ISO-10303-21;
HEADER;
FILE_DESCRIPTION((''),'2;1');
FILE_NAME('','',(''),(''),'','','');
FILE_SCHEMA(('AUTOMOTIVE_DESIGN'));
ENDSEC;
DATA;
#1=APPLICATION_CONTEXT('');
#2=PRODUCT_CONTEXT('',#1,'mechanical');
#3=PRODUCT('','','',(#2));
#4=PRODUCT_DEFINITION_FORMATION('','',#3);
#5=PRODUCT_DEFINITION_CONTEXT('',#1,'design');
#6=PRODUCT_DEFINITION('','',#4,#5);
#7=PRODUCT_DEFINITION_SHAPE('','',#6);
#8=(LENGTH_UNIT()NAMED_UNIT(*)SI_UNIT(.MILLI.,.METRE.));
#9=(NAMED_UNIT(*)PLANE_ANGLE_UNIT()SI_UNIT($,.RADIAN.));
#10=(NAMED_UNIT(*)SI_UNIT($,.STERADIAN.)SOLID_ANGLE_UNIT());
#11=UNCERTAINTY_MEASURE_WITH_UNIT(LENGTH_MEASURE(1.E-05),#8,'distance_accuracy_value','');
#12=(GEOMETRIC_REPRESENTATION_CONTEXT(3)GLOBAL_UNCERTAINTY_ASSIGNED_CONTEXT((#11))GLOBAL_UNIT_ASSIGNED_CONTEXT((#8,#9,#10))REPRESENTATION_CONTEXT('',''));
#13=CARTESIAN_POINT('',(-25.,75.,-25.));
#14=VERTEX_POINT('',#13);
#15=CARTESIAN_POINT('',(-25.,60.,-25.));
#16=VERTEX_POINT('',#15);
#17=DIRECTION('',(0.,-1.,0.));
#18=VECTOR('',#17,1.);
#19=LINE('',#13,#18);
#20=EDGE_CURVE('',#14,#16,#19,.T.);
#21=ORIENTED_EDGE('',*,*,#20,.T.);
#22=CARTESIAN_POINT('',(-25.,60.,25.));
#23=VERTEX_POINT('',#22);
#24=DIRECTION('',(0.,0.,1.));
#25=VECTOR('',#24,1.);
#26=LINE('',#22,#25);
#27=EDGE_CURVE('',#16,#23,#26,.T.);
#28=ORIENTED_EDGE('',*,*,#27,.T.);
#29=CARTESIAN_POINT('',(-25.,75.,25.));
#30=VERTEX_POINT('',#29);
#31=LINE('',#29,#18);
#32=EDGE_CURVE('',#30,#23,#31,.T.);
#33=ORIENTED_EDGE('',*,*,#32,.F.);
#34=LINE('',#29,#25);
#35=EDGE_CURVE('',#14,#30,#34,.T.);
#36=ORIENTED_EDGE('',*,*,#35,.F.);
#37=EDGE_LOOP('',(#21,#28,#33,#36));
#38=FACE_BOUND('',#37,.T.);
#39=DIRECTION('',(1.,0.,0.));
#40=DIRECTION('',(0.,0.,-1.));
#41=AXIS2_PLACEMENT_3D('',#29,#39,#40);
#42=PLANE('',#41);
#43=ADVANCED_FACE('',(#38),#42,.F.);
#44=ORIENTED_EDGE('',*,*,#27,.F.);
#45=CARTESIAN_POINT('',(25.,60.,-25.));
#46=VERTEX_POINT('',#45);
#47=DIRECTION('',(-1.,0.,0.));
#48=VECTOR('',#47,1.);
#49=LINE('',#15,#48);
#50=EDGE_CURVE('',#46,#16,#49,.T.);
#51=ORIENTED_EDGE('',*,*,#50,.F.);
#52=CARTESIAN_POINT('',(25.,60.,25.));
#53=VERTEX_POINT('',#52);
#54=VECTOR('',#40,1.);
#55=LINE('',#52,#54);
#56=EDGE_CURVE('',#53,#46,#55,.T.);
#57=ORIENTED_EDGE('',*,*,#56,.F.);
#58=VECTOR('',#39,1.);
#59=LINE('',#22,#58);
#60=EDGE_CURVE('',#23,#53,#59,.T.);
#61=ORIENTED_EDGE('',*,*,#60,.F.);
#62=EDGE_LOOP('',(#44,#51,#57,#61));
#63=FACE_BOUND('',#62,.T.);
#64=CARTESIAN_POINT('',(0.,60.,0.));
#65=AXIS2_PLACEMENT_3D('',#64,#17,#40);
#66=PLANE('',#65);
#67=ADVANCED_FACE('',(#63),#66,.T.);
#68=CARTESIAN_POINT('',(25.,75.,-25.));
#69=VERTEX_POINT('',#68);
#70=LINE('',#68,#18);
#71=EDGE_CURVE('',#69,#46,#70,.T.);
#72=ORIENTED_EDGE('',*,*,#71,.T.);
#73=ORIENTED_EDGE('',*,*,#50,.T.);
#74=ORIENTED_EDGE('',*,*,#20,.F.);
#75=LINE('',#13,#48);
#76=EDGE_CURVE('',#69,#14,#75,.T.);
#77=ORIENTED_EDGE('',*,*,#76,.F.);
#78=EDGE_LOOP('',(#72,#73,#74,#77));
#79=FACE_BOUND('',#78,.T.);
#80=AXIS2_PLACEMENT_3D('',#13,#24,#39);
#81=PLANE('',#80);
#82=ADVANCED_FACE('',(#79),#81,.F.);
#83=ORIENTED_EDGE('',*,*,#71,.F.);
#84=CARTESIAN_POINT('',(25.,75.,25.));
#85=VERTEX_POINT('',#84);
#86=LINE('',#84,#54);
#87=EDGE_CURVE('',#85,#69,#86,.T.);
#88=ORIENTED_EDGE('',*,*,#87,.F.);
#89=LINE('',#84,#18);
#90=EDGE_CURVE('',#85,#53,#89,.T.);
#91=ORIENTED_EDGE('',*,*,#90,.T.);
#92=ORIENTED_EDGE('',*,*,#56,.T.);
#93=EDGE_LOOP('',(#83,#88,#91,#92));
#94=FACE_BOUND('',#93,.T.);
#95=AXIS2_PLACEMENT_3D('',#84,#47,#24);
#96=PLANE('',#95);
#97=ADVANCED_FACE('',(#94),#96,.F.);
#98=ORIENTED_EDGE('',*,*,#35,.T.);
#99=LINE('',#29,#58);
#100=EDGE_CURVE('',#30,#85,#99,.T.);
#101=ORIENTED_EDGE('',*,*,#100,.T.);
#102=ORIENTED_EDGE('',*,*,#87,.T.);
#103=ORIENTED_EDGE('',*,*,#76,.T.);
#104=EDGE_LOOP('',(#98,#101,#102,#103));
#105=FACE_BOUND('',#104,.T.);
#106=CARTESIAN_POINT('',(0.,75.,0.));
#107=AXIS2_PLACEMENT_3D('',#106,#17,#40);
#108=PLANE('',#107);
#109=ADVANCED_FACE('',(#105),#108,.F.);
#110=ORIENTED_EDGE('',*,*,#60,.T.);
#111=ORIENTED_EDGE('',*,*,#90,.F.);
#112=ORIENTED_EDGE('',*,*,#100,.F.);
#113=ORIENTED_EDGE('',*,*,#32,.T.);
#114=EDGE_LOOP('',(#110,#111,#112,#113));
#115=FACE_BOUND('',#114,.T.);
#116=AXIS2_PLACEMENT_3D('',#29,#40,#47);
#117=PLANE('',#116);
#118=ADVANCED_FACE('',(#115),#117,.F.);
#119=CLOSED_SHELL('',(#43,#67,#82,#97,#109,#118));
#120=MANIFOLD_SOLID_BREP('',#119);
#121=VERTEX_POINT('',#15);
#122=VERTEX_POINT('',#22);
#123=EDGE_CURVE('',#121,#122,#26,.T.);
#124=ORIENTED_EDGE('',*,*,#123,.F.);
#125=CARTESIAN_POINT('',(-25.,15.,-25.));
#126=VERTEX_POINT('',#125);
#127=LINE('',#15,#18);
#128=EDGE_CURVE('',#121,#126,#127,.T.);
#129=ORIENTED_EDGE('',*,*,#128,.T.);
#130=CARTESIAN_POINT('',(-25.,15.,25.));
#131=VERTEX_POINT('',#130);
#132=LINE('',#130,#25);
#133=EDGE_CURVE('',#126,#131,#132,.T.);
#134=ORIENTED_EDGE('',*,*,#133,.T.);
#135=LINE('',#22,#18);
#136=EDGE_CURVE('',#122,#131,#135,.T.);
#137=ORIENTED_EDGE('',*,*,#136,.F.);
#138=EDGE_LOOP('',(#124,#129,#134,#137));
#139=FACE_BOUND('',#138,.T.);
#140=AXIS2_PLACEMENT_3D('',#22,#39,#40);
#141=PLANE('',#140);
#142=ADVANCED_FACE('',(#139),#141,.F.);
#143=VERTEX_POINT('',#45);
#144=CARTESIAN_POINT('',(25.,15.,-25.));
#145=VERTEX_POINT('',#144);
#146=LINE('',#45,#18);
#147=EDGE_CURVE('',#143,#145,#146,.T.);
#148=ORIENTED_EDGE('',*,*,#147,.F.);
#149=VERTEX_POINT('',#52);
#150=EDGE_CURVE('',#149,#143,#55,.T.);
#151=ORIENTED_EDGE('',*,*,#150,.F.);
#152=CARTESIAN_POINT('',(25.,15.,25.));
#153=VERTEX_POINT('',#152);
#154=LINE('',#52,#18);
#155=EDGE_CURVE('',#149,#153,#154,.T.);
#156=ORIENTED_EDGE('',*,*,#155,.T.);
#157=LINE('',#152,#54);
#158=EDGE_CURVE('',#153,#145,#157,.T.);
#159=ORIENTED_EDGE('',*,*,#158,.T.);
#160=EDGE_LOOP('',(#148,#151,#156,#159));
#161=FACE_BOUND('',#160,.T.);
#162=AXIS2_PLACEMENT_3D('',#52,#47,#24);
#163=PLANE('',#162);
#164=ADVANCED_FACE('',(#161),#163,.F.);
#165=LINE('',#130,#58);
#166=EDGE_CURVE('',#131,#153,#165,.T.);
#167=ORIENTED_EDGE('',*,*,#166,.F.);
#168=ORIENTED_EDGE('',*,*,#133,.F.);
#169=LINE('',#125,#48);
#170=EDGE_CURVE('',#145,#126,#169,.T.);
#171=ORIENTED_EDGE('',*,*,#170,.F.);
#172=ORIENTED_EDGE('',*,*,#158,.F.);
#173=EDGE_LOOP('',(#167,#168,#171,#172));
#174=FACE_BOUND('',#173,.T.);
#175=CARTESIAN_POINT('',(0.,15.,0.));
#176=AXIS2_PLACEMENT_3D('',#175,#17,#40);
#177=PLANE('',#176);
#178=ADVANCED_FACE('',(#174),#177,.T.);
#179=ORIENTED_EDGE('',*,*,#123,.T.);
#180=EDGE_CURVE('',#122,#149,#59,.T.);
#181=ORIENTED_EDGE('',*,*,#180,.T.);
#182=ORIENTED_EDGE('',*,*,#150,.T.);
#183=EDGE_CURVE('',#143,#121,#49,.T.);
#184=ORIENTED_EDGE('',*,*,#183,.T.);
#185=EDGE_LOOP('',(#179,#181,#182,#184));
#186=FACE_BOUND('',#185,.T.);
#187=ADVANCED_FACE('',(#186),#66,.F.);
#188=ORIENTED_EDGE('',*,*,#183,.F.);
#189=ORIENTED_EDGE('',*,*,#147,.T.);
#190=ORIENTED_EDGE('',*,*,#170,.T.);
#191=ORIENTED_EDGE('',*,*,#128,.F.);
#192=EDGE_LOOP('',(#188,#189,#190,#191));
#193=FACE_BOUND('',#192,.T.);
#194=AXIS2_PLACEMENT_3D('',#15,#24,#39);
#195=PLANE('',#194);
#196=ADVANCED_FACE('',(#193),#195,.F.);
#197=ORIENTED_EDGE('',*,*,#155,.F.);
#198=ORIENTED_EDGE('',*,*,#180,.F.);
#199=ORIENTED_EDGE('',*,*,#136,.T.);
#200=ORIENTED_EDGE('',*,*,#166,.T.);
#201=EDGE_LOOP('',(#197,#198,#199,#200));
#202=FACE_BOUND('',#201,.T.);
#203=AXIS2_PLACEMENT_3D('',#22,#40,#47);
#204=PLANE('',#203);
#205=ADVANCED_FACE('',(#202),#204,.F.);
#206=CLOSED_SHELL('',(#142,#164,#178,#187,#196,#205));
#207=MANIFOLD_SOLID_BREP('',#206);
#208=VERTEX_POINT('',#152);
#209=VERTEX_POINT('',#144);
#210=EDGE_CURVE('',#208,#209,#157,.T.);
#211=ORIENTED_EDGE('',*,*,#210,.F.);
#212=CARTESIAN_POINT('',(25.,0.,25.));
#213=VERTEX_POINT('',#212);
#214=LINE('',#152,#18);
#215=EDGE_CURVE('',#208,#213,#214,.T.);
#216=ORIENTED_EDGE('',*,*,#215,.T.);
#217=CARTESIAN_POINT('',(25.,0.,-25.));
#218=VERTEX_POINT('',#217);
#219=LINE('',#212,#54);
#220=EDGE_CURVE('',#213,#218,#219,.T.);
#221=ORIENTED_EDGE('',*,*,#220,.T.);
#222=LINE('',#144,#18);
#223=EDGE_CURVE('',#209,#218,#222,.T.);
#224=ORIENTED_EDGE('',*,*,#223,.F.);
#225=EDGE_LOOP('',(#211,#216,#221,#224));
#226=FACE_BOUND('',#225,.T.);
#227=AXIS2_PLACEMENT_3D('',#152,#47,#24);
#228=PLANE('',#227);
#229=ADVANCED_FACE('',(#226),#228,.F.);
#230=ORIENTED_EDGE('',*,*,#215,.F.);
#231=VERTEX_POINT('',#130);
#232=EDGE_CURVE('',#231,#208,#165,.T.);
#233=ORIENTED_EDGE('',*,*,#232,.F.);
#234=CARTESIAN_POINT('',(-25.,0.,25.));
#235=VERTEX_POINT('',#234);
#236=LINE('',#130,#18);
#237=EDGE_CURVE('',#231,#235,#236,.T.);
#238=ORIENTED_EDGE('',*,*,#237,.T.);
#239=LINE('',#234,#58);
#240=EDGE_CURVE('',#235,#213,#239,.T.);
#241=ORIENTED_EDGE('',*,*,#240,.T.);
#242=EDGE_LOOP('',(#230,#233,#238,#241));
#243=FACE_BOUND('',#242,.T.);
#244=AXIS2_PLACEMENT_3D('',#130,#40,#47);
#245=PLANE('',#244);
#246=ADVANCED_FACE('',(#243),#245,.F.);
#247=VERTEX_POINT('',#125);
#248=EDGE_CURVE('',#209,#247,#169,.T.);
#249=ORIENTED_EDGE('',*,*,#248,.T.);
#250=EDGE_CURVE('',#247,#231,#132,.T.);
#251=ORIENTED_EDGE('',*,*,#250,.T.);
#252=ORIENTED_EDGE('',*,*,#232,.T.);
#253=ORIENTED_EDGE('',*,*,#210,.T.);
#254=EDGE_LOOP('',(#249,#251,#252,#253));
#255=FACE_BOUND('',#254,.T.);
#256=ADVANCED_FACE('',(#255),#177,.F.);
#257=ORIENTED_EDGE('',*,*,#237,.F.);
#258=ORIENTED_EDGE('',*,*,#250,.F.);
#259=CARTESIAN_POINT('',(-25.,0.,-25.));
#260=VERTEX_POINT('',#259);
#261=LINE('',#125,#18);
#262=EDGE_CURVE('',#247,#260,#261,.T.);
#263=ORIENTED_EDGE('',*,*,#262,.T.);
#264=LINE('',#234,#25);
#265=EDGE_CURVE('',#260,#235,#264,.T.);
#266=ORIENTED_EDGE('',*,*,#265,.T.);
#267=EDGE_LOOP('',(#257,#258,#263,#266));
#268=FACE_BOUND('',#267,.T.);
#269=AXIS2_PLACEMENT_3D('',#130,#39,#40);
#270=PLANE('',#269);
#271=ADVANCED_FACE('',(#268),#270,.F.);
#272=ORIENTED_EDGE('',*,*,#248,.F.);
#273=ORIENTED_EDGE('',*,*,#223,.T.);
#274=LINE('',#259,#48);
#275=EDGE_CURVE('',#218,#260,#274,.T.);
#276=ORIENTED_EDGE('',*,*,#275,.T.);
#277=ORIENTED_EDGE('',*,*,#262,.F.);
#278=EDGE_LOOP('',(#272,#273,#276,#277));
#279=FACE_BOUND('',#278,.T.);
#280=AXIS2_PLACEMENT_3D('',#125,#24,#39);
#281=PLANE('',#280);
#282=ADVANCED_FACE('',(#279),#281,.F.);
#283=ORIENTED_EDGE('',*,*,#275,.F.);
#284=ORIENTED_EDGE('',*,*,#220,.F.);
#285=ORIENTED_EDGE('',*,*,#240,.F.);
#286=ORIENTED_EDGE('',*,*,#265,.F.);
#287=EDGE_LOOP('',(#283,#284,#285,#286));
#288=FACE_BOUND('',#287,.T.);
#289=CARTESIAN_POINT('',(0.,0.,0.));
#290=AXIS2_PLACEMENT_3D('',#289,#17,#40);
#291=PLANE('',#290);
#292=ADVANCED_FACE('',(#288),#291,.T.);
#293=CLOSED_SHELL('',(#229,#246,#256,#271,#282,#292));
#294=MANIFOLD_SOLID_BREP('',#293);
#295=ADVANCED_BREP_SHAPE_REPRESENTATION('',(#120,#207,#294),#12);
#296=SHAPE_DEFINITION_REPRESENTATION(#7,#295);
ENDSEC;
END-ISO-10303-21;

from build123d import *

# Parameters (mm, degrees)
SKETCH2_W           = 50
SKETCH2_H           = 50
BOSS_EXTRUDE1_DEPTH = 15
BOSS_EXTRUDE2_START = 15
SKETCH2_2_W         = 50
SKETCH2_2_H         = 50
BOSS_EXTRUDE2_DEPTH = 45
BOSS_EXTRUDE3_START = 60
SKETCH2_3_W         = 50
SKETCH2_3_H         = 50
BOSS_EXTRUDE3_DEPTH = 15


with BuildPart() as part:
    # Sketch2 → Boss-Extrude1 (new body)
    with BuildSketch(Plane(origin=(0, 0, 0), x_dir=(1, 0, 0), z_dir=(0, 1, 0))):
        Rectangle(SKETCH2_W, SKETCH2_H)
    extrude(amount=BOSS_EXTRUDE1_DEPTH)


with BuildPart() as body_2:
    # Sketch2<2> → Boss-Extrude2 (new body)
    with BuildSketch(Plane(origin=(0, 0, 0), x_dir=(1, 0, 0), z_dir=(0, 1, 0)).offset(BOSS_EXTRUDE2_START)):
        Rectangle(SKETCH2_2_W, SKETCH2_2_H)
    extrude(amount=BOSS_EXTRUDE2_DEPTH)


with BuildPart() as body_3:
    # Sketch2<3> → Boss-Extrude3 (new body)
    with BuildSketch(Plane(origin=(0, 0, 0), x_dir=(1, 0, 0), z_dir=(0, 1, 0)).offset(BOSS_EXTRUDE3_START)):
        Rectangle(SKETCH2_3_W, SKETCH2_3_H)
    extrude(amount=BOSS_EXTRUDE3_DEPTH)


solid = Compound([part.part, body_2.part, body_3.part])
